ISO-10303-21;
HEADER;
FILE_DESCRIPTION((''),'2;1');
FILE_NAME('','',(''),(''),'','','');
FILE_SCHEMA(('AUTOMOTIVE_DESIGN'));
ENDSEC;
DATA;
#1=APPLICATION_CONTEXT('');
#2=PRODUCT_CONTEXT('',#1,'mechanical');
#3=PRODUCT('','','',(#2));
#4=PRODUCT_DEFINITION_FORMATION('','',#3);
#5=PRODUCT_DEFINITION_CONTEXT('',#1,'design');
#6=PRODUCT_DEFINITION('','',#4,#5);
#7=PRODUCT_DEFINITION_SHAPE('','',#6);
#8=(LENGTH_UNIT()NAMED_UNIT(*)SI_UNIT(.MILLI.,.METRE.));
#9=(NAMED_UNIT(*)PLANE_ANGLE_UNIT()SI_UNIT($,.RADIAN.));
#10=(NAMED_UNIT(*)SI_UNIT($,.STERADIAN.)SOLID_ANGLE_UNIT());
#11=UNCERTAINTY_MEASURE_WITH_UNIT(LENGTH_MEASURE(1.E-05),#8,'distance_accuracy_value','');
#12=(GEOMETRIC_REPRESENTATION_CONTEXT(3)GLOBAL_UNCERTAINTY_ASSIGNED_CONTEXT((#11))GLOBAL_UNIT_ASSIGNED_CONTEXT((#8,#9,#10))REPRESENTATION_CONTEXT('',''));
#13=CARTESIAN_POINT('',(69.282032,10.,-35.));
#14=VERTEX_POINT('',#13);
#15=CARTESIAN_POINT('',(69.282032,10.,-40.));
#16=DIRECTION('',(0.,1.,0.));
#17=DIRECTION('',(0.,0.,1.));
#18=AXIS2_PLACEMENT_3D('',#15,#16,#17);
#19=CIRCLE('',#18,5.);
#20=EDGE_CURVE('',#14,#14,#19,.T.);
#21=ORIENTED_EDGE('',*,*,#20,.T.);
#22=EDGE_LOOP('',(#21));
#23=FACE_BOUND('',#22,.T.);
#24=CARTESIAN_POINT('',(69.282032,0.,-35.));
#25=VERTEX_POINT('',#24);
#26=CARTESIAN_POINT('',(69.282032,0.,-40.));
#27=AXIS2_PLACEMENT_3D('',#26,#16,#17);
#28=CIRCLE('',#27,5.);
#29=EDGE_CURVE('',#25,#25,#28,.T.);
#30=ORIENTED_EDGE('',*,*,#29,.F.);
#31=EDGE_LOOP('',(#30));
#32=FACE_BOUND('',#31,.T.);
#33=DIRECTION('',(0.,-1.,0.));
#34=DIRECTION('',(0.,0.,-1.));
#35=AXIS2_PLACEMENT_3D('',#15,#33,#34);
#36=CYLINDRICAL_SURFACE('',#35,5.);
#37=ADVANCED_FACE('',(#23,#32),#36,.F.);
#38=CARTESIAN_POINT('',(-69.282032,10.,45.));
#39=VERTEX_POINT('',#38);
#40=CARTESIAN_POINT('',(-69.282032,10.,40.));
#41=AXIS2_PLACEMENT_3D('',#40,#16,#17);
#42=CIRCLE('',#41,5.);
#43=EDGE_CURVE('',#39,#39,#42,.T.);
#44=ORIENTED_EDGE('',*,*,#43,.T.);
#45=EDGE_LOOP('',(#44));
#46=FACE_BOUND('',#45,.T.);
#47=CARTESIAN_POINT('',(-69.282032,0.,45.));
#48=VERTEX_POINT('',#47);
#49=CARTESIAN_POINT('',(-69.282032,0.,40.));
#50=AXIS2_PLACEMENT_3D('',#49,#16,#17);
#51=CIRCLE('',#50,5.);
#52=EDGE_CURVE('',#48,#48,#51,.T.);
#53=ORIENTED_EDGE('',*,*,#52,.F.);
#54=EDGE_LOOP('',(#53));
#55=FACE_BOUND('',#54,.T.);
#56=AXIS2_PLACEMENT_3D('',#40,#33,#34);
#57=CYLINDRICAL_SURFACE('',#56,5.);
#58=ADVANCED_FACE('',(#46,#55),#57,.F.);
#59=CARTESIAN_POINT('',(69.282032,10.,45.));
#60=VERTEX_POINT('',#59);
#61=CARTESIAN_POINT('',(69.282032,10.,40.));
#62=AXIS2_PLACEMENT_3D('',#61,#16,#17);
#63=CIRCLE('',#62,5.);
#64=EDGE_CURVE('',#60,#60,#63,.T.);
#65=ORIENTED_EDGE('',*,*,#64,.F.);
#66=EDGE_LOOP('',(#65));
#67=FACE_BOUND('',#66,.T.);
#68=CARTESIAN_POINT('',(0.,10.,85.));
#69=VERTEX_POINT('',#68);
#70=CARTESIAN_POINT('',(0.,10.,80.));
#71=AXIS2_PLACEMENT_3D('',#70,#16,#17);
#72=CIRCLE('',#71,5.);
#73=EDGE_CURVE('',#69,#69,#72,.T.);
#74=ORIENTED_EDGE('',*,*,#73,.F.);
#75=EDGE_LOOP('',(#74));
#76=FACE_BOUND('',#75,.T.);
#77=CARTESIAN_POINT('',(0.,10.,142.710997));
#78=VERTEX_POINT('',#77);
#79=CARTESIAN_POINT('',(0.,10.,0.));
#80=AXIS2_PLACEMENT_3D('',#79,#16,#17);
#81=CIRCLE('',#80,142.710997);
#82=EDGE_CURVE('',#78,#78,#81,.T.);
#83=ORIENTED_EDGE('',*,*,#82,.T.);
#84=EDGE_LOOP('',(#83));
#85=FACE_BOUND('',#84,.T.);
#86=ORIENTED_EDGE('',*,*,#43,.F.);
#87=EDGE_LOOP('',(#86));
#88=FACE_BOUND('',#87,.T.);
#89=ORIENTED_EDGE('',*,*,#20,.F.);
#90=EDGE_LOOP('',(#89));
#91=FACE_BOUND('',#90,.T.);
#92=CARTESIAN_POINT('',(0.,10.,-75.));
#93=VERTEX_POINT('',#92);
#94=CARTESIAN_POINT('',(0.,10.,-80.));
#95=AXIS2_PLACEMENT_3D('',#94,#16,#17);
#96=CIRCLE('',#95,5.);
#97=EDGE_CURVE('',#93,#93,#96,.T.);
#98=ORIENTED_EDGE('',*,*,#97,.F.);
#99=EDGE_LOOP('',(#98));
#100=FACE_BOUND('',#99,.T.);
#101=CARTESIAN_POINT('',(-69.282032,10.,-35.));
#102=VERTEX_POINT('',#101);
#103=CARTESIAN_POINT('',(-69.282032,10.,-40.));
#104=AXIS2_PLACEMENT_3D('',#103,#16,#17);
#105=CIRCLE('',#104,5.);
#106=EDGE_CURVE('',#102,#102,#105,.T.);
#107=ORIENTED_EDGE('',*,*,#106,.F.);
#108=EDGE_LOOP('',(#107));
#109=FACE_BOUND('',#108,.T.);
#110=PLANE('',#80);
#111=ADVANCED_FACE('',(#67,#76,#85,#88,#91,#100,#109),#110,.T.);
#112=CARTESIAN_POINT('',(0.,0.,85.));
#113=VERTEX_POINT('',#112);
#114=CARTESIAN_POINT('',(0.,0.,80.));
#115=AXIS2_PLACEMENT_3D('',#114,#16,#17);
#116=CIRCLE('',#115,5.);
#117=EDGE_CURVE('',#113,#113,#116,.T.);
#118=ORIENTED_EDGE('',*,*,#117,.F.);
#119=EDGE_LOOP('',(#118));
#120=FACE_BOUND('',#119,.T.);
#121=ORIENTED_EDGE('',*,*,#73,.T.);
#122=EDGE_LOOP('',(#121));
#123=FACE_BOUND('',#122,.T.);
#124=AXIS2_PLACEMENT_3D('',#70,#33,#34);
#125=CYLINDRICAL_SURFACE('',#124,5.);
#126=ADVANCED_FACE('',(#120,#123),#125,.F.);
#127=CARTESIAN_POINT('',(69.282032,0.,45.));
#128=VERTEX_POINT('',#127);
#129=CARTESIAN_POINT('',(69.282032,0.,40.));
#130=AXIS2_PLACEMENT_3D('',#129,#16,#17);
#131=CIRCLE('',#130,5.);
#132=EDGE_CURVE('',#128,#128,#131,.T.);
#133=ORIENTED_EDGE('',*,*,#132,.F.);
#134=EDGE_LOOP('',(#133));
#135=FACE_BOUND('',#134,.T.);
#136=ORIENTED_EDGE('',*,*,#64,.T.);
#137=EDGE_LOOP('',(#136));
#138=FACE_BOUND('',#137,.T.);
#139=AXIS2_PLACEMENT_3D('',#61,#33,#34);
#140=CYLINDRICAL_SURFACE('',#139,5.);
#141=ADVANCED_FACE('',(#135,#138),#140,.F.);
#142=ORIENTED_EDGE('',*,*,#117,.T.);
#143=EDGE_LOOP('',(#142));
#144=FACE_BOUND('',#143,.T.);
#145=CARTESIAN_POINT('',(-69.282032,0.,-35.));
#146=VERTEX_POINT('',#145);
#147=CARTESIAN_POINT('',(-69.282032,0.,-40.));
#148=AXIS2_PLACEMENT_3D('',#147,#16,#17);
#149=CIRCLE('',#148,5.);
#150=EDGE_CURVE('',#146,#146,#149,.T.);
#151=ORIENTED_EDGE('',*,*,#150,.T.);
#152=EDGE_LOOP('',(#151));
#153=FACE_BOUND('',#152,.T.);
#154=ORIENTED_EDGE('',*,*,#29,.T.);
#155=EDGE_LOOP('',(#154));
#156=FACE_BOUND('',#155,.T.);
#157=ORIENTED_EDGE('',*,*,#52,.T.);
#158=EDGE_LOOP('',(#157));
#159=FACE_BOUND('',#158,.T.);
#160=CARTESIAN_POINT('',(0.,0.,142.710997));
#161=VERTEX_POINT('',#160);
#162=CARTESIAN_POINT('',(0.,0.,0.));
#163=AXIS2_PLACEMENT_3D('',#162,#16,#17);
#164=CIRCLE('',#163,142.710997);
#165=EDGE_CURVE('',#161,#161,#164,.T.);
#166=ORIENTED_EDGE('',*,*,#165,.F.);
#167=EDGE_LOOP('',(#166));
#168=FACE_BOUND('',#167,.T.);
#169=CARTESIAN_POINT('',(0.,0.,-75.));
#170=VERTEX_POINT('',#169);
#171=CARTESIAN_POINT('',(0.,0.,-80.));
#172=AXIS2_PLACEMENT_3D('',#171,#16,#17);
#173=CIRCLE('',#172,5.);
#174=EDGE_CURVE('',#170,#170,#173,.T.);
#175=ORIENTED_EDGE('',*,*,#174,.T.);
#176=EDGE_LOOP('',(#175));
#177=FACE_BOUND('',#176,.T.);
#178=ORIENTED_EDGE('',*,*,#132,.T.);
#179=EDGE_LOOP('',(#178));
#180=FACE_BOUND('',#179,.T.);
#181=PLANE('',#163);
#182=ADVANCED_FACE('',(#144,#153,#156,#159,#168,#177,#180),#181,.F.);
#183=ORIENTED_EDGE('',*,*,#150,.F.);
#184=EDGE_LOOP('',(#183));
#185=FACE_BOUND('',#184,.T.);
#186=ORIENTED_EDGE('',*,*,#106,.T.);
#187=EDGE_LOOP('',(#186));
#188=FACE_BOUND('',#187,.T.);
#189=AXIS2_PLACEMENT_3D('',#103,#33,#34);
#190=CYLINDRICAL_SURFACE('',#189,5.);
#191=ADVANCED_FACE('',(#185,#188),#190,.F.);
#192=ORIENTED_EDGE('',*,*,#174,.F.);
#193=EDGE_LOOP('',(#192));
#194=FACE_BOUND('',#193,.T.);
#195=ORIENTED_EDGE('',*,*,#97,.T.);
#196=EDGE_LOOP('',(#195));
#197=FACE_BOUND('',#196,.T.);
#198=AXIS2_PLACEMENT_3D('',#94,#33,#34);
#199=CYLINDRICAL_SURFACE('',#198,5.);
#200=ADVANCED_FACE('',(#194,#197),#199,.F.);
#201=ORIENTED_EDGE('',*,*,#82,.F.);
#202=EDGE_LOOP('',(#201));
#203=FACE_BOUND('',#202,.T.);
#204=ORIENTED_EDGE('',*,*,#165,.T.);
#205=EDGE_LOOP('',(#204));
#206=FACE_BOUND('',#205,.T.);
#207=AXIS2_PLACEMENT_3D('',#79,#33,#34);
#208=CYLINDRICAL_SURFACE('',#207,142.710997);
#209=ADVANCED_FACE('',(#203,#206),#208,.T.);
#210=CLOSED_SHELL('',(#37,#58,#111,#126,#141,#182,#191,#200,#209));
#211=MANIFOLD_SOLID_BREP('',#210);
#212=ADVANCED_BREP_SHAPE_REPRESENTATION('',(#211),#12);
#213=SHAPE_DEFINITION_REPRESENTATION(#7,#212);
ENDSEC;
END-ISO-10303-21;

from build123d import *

# Parameters (mm, degrees)
SKETCH_1_R      = 142.710997442
SKETCH_1_R_2    = 5
EXTRUDE_1_DEPTH = 10


with BuildPart() as part:
    # 草图1 → 凸台-拉伸1 (new body)
    with BuildSketch(Plane(origin=(0, 0, 0), x_dir=(1, 0, 0), z_dir=(0, 1, 0))):
        Circle(SKETCH_1_R)
        with Locations((0, 80)):
            Circle(SKETCH_1_R_2, mode=Mode.SUBTRACT)
        with Locations((69.282032303, 40)):
            Circle(SKETCH_1_R_2, mode=Mode.SUBTRACT)
        with Locations((69.282032303, -40)):
            Circle(SKETCH_1_R_2, mode=Mode.SUBTRACT)
        with Locations((0, -80)):
            Circle(SKETCH_1_R_2, mode=Mode.SUBTRACT)
        with Locations((-69.282032303, -40)):
            Circle(SKETCH_1_R_2, mode=Mode.SUBTRACT)
        with Locations((-69.282032303, 40)):
            Circle(SKETCH_1_R_2, mode=Mode.SUBTRACT)
    extrude(amount=EXTRUDE_1_DEPTH)


solid = part.part
